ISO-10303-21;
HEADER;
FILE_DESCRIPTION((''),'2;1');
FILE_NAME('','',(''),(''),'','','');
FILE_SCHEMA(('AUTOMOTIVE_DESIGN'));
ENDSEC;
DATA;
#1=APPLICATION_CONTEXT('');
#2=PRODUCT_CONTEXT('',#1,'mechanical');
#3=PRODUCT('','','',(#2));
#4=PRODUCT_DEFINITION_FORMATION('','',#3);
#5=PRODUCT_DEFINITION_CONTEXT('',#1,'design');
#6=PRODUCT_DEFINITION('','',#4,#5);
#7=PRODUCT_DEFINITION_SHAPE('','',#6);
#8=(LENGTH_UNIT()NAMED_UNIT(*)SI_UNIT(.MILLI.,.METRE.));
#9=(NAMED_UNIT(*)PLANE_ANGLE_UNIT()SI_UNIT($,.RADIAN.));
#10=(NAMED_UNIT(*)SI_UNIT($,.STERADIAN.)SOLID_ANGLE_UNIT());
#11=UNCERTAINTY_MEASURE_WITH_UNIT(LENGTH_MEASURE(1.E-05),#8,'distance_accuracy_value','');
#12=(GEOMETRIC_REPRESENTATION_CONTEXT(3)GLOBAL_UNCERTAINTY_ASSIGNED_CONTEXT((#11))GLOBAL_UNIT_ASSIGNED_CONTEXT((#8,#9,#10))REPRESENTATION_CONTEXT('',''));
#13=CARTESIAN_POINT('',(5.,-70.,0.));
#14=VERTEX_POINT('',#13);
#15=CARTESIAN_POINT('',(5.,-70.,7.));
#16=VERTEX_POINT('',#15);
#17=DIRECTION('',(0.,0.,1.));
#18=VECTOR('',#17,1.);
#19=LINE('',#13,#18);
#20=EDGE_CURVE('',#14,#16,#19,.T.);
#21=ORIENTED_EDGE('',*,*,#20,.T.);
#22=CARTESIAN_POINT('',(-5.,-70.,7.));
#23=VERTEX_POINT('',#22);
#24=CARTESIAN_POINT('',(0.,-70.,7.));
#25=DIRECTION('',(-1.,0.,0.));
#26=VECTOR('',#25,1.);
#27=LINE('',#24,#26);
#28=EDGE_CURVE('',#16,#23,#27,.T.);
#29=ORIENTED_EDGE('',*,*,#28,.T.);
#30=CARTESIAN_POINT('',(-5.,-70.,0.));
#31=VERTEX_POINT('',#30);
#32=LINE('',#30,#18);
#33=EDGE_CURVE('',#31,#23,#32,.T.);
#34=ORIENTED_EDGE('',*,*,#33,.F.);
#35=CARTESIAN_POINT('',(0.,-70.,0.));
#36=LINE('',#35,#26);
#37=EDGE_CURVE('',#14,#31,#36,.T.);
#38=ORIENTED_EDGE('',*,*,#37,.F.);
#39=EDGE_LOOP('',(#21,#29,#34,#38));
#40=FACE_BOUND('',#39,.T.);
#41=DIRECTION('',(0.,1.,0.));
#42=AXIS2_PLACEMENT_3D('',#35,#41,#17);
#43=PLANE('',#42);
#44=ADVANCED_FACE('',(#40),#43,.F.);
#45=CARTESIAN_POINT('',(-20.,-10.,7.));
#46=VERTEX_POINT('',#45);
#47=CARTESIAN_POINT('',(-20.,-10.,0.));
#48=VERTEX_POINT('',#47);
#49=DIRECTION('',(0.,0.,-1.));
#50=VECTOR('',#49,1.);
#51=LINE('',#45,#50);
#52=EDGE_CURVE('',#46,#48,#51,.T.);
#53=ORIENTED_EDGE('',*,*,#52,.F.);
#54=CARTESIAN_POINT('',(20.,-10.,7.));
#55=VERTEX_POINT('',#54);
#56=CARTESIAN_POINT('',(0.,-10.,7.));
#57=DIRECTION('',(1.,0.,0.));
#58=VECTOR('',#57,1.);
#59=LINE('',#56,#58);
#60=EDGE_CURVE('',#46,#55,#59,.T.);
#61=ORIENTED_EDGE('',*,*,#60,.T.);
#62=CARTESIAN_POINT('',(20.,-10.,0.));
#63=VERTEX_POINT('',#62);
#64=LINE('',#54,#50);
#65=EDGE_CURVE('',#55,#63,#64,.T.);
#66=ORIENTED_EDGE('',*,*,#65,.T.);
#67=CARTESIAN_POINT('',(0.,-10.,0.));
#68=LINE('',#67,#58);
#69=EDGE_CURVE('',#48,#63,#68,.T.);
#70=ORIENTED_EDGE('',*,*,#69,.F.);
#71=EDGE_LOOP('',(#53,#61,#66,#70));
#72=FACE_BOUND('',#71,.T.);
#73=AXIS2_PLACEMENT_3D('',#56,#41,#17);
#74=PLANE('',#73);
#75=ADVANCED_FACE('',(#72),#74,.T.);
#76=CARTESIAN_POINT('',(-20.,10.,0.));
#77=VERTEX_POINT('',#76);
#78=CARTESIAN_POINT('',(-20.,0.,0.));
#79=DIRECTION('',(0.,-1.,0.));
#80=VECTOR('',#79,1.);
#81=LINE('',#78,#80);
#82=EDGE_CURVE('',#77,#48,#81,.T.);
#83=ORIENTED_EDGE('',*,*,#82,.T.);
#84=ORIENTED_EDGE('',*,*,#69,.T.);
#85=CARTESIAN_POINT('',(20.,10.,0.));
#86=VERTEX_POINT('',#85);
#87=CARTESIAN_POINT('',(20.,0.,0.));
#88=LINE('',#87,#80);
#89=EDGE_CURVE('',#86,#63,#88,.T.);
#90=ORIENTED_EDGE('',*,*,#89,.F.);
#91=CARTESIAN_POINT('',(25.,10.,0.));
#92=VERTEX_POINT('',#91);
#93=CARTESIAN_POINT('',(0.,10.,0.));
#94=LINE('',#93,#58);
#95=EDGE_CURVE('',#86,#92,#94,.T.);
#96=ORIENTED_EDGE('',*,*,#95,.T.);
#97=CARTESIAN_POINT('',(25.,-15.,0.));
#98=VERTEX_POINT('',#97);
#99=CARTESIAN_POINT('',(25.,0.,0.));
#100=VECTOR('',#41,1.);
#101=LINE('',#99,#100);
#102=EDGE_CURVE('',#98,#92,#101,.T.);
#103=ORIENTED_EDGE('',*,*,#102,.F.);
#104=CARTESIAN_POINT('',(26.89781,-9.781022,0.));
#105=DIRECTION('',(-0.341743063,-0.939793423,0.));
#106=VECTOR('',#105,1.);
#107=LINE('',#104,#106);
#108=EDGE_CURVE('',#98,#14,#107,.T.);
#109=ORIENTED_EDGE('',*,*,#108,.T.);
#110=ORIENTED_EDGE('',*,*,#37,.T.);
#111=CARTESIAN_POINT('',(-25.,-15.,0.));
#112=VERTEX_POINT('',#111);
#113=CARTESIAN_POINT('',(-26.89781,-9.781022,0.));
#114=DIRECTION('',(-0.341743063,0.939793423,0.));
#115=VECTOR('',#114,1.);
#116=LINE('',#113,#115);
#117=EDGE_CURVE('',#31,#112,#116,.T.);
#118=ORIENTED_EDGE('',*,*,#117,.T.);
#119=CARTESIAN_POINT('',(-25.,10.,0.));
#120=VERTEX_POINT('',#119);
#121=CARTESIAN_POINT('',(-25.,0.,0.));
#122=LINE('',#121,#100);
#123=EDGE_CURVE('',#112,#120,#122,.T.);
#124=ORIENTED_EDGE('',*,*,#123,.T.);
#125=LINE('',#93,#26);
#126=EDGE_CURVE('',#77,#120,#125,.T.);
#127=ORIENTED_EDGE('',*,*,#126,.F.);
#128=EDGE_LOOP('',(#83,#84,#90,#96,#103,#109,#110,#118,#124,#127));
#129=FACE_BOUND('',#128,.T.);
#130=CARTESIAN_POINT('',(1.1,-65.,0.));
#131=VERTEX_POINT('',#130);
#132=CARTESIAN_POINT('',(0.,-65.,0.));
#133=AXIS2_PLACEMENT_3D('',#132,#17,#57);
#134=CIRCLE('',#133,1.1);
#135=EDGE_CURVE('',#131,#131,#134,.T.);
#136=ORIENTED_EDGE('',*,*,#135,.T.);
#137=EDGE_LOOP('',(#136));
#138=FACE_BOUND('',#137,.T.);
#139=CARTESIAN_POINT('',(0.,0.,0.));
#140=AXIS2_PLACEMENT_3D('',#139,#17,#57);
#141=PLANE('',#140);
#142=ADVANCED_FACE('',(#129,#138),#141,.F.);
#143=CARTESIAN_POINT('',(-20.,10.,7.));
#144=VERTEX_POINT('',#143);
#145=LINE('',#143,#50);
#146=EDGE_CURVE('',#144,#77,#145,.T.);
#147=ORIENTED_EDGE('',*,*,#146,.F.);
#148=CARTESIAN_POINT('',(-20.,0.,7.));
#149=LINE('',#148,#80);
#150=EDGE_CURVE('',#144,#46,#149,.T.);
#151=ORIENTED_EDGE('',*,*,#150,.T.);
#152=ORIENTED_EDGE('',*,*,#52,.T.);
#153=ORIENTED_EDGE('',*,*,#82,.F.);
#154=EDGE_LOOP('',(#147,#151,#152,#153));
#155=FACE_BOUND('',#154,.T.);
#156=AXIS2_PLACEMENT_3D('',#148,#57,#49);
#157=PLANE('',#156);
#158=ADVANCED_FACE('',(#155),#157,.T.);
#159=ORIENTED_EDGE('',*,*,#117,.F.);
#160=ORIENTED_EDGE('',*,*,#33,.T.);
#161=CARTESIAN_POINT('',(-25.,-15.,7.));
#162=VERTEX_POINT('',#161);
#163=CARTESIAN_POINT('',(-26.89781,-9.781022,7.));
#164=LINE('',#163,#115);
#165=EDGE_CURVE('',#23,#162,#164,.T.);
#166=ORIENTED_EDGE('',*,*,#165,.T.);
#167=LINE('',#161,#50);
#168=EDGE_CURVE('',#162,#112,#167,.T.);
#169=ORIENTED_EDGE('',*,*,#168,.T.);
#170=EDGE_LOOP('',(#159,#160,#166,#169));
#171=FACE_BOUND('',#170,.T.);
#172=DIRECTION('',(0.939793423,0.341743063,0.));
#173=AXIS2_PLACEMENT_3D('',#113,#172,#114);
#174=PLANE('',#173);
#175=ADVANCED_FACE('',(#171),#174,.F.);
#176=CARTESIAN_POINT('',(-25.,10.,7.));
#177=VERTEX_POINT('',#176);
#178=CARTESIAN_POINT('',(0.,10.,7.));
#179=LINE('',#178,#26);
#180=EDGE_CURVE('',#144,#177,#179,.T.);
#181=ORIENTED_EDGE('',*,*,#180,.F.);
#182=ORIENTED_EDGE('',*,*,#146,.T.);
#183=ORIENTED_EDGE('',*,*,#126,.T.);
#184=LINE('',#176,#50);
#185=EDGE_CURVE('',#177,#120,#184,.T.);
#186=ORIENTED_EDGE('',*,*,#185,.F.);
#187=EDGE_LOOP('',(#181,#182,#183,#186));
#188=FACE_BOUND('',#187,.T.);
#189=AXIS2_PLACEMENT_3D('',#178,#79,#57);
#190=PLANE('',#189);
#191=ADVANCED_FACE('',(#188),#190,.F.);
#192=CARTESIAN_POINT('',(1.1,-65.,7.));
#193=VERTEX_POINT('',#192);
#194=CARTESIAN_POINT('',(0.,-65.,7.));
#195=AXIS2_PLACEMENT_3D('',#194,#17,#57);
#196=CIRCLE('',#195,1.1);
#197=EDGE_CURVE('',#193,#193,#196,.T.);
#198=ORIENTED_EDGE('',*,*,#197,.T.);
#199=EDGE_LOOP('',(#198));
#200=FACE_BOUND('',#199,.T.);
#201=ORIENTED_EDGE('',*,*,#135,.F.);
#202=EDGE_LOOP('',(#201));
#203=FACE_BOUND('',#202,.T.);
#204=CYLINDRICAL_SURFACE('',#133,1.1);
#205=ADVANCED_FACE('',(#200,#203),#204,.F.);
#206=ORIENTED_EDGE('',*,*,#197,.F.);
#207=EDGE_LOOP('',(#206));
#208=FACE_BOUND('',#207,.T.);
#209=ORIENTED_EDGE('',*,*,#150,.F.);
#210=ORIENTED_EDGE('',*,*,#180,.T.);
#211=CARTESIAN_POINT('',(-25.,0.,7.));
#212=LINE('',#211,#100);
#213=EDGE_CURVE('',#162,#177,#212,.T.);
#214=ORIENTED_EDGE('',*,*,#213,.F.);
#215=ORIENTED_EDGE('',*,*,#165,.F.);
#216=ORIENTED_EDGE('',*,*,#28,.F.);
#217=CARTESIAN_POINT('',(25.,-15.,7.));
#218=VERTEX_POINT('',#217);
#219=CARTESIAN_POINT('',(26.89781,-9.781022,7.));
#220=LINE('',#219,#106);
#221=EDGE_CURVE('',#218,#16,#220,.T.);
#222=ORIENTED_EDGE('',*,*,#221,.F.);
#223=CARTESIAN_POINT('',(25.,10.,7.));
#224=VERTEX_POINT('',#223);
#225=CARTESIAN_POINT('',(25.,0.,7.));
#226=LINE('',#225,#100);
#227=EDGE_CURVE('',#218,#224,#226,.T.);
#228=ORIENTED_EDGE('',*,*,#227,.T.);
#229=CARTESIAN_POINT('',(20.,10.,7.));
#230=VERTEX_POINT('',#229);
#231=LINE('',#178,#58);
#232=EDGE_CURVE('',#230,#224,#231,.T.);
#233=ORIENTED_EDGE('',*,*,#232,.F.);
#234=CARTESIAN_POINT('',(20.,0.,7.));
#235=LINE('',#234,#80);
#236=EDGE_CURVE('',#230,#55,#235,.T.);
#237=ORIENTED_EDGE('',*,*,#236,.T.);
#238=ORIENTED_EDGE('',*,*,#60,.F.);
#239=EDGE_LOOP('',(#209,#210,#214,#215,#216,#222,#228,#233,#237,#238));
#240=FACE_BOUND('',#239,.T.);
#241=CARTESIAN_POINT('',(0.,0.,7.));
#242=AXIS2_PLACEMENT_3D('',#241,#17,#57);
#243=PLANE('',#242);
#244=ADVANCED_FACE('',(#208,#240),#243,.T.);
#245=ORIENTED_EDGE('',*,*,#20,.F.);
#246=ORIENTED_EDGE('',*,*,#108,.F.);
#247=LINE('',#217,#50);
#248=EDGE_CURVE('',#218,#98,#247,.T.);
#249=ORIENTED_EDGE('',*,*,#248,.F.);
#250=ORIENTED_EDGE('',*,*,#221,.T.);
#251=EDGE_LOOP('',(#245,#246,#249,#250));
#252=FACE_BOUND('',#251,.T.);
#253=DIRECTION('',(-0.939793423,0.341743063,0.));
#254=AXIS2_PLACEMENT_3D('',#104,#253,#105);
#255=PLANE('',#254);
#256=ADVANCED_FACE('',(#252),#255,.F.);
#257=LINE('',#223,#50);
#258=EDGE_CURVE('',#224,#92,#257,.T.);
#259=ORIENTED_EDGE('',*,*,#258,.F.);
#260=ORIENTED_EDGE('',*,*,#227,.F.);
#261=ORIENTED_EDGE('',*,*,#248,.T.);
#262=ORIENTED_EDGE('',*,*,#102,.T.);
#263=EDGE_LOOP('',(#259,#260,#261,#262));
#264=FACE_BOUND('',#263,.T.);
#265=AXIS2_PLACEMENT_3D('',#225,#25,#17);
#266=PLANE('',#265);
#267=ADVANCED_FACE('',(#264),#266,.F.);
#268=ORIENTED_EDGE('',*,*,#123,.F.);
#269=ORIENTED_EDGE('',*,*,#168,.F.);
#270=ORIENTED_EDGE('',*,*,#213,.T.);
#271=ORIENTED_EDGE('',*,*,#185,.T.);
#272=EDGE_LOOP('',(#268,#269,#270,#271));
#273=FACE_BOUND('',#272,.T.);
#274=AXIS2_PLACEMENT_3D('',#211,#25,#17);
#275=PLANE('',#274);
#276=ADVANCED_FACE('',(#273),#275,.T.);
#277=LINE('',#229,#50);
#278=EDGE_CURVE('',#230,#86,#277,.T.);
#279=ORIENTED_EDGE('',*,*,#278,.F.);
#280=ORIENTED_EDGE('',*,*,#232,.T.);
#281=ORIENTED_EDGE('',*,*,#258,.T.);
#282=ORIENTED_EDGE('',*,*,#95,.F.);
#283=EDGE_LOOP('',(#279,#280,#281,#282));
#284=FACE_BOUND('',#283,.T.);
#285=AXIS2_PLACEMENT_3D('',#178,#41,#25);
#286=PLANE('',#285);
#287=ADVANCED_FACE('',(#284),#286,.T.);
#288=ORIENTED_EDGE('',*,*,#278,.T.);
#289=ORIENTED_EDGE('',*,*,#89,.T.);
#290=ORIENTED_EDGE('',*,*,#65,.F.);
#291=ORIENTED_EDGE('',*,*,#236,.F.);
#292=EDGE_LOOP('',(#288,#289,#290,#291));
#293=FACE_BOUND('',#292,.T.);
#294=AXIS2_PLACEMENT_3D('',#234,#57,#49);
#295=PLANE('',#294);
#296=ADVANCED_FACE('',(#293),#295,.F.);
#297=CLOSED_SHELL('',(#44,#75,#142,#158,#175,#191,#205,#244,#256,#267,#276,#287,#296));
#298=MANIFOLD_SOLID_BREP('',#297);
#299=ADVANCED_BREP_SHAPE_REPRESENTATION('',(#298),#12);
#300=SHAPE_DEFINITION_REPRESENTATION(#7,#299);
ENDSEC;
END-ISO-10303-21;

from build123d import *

# Parameters (mm, degrees)
SALIENTE_EXTRUIR1_DEPTH = 7
CROQUIS2_W              = 10
CROQUIS2_H              = 10
CROQUIS2_R              = 1.1
SALIENTE_EXTRUIR2_DEPTH = 7


with BuildPart() as part:
    # Croquis1 → Saliente-Extruir1 (new body)
    with BuildSketch(Plane.XY):
        Polygon((-20, -10), (-20, 10), (-25, 10), (-25, -15), (25, -15), (25, 10), (20, 10), (20, -10), align=None)
    extrude(amount=SALIENTE_EXTRUIR1_DEPTH)

    # Croquis2 → Saliente-Extruir2 (add)
    # profile 1 of 2: a face of its own
    with BuildSketch(Plane.XY.offset(7)):
        Polygon((-5, -70), (-25, -15), (25, -15), (5, -70), (5, -60), (-5, -60), align=None)
    # profile 2 of 2: a face of its own
    with BuildSketch(Plane.XY.offset(7)):
        with Locations((0, -65)):
            Rectangle(CROQUIS2_W, CROQUIS2_H)
        with Locations((0, -65)):
            Circle(CROQUIS2_R, mode=Mode.SUBTRACT)
    extrude(amount=-SALIENTE_EXTRUIR2_DEPTH)


solid = part.part
